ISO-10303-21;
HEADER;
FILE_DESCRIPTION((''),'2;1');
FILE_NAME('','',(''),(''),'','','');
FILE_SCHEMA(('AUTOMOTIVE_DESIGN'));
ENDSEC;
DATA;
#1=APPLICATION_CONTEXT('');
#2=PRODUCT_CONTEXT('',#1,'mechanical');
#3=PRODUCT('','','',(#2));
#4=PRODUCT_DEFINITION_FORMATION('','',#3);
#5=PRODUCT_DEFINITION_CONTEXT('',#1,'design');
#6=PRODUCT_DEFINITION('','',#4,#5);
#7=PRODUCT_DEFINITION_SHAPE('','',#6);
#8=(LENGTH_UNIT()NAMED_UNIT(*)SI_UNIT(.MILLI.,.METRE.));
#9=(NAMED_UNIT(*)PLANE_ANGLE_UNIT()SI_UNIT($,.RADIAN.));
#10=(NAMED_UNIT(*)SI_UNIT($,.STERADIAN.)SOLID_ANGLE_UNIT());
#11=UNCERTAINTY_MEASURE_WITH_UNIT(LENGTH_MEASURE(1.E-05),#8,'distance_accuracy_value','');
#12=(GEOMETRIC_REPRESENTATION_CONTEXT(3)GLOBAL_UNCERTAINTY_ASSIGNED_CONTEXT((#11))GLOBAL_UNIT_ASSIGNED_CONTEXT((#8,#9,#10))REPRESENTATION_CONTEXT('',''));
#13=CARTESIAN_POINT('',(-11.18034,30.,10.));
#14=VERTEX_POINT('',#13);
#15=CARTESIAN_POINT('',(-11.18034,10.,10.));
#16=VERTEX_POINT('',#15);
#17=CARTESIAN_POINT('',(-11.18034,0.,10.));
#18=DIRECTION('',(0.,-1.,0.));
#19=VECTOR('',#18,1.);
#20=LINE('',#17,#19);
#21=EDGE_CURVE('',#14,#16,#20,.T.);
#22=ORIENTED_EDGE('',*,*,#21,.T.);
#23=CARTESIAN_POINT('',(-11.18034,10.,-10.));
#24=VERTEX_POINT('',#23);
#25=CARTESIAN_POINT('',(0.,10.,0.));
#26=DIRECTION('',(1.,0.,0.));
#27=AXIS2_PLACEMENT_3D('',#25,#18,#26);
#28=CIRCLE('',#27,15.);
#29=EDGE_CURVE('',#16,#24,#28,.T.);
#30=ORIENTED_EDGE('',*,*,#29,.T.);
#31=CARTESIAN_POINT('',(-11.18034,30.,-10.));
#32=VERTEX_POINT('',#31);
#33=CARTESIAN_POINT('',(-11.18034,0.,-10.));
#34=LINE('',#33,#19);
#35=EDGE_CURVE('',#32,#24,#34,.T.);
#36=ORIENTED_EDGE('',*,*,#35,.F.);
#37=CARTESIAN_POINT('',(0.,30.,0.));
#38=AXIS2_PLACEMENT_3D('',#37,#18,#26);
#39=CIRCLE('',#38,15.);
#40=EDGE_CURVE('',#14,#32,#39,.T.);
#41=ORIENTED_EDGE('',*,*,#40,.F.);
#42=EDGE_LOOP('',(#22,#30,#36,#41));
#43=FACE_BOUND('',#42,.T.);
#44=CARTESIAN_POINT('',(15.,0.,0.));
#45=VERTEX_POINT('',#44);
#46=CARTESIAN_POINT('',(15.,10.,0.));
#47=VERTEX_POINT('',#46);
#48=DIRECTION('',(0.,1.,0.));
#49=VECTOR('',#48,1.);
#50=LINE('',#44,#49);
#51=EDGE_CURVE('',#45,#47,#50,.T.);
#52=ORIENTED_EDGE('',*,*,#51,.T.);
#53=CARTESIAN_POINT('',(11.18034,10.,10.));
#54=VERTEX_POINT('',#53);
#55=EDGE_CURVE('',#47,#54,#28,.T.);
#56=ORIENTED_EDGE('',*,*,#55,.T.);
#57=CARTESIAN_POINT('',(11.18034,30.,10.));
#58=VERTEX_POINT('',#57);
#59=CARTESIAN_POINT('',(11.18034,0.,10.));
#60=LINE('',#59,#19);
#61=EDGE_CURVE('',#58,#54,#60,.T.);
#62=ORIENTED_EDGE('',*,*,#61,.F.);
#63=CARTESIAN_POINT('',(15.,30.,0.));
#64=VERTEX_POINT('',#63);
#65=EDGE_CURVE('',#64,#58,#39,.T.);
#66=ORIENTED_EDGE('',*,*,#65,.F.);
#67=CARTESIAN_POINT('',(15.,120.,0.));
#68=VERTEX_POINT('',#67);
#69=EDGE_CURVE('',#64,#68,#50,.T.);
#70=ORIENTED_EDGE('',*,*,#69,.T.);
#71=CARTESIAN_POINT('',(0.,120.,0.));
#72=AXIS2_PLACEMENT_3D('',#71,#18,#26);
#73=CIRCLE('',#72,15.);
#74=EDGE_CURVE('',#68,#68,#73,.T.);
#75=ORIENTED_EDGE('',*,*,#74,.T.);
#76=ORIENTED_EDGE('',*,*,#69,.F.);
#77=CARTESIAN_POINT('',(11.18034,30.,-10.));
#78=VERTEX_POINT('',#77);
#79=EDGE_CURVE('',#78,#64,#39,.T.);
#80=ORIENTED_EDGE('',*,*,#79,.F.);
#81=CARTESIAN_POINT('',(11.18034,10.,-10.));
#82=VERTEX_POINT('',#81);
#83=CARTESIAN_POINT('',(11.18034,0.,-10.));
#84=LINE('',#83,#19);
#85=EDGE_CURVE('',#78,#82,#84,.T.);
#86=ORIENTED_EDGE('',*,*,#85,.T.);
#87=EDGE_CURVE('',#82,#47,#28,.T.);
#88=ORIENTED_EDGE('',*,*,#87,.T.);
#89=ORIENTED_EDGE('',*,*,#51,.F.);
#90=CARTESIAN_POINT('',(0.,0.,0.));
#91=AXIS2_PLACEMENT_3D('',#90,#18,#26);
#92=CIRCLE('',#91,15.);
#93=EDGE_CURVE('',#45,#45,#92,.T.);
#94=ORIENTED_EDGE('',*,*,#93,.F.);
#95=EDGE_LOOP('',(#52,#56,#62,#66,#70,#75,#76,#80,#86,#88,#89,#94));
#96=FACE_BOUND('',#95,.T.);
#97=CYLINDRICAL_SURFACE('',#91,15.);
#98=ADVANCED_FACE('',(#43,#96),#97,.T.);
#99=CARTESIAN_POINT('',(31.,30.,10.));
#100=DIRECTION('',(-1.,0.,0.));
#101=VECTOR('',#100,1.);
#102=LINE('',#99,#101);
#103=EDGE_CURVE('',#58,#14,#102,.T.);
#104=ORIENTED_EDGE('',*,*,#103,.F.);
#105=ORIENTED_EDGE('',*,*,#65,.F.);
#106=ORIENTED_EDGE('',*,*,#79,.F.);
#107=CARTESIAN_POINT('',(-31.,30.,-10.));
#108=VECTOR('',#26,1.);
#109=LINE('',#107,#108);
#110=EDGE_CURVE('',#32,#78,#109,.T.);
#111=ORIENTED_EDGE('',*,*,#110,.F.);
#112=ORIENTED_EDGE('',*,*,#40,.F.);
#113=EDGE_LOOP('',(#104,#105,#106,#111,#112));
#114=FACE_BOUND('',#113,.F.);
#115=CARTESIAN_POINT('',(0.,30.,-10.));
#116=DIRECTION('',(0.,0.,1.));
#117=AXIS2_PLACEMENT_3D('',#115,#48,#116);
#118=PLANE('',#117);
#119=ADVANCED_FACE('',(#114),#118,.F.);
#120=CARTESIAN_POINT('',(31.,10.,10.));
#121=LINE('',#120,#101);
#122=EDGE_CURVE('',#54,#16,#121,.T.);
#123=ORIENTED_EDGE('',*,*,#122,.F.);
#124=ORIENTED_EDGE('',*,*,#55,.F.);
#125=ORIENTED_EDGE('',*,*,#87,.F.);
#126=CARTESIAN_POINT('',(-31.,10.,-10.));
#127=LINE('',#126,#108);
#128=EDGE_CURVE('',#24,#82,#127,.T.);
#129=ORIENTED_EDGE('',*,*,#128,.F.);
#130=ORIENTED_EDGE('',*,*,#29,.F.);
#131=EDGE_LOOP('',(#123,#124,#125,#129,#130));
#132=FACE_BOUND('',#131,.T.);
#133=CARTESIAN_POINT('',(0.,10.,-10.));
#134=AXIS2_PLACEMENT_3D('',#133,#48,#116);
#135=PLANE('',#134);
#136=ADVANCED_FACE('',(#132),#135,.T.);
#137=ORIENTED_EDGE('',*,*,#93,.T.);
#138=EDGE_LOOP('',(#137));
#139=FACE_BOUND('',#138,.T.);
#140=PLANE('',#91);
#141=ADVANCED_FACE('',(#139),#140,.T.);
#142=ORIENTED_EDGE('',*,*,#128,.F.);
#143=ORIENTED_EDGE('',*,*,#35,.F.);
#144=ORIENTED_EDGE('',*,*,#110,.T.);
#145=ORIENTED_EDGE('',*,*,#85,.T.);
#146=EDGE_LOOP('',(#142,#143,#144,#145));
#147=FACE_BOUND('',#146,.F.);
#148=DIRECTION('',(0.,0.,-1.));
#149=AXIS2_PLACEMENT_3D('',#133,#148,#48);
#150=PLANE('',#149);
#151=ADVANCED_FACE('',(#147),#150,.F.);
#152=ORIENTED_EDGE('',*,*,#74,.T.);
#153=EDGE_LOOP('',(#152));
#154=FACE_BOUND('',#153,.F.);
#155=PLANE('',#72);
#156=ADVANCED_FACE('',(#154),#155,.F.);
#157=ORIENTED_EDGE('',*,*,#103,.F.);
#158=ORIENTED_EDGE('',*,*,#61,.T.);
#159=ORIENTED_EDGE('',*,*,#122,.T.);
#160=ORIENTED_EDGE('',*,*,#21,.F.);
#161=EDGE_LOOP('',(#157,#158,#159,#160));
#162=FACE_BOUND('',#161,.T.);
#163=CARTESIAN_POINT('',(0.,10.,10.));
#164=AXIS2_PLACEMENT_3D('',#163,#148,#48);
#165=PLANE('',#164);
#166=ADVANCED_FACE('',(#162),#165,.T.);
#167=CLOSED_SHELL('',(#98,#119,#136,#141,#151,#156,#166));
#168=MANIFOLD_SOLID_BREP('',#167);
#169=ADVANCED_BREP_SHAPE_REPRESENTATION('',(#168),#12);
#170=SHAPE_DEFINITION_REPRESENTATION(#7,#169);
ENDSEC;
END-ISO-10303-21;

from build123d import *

# Parameters (mm, degrees)
F0_R     = 15
F1_DEPTH = 120
F2_W     = 20
F2_H     = 20
F3_DEPTH = 31


with BuildPart() as f1:
    # F0 (on Front) → F1 (new body)
    with BuildSketch(Plane.XZ):
        Circle(F0_R)
    extrude(amount=-F1_DEPTH)

    # F2 (on Right) → F3 (cut, symmetric)
    with BuildSketch(Plane.YZ):
        with Locations((20, 0)):
            Rectangle(F2_W, F2_H)
    extrude(amount=F3_DEPTH, both=True, mode=Mode.SUBTRACT)


solid = f1.part
